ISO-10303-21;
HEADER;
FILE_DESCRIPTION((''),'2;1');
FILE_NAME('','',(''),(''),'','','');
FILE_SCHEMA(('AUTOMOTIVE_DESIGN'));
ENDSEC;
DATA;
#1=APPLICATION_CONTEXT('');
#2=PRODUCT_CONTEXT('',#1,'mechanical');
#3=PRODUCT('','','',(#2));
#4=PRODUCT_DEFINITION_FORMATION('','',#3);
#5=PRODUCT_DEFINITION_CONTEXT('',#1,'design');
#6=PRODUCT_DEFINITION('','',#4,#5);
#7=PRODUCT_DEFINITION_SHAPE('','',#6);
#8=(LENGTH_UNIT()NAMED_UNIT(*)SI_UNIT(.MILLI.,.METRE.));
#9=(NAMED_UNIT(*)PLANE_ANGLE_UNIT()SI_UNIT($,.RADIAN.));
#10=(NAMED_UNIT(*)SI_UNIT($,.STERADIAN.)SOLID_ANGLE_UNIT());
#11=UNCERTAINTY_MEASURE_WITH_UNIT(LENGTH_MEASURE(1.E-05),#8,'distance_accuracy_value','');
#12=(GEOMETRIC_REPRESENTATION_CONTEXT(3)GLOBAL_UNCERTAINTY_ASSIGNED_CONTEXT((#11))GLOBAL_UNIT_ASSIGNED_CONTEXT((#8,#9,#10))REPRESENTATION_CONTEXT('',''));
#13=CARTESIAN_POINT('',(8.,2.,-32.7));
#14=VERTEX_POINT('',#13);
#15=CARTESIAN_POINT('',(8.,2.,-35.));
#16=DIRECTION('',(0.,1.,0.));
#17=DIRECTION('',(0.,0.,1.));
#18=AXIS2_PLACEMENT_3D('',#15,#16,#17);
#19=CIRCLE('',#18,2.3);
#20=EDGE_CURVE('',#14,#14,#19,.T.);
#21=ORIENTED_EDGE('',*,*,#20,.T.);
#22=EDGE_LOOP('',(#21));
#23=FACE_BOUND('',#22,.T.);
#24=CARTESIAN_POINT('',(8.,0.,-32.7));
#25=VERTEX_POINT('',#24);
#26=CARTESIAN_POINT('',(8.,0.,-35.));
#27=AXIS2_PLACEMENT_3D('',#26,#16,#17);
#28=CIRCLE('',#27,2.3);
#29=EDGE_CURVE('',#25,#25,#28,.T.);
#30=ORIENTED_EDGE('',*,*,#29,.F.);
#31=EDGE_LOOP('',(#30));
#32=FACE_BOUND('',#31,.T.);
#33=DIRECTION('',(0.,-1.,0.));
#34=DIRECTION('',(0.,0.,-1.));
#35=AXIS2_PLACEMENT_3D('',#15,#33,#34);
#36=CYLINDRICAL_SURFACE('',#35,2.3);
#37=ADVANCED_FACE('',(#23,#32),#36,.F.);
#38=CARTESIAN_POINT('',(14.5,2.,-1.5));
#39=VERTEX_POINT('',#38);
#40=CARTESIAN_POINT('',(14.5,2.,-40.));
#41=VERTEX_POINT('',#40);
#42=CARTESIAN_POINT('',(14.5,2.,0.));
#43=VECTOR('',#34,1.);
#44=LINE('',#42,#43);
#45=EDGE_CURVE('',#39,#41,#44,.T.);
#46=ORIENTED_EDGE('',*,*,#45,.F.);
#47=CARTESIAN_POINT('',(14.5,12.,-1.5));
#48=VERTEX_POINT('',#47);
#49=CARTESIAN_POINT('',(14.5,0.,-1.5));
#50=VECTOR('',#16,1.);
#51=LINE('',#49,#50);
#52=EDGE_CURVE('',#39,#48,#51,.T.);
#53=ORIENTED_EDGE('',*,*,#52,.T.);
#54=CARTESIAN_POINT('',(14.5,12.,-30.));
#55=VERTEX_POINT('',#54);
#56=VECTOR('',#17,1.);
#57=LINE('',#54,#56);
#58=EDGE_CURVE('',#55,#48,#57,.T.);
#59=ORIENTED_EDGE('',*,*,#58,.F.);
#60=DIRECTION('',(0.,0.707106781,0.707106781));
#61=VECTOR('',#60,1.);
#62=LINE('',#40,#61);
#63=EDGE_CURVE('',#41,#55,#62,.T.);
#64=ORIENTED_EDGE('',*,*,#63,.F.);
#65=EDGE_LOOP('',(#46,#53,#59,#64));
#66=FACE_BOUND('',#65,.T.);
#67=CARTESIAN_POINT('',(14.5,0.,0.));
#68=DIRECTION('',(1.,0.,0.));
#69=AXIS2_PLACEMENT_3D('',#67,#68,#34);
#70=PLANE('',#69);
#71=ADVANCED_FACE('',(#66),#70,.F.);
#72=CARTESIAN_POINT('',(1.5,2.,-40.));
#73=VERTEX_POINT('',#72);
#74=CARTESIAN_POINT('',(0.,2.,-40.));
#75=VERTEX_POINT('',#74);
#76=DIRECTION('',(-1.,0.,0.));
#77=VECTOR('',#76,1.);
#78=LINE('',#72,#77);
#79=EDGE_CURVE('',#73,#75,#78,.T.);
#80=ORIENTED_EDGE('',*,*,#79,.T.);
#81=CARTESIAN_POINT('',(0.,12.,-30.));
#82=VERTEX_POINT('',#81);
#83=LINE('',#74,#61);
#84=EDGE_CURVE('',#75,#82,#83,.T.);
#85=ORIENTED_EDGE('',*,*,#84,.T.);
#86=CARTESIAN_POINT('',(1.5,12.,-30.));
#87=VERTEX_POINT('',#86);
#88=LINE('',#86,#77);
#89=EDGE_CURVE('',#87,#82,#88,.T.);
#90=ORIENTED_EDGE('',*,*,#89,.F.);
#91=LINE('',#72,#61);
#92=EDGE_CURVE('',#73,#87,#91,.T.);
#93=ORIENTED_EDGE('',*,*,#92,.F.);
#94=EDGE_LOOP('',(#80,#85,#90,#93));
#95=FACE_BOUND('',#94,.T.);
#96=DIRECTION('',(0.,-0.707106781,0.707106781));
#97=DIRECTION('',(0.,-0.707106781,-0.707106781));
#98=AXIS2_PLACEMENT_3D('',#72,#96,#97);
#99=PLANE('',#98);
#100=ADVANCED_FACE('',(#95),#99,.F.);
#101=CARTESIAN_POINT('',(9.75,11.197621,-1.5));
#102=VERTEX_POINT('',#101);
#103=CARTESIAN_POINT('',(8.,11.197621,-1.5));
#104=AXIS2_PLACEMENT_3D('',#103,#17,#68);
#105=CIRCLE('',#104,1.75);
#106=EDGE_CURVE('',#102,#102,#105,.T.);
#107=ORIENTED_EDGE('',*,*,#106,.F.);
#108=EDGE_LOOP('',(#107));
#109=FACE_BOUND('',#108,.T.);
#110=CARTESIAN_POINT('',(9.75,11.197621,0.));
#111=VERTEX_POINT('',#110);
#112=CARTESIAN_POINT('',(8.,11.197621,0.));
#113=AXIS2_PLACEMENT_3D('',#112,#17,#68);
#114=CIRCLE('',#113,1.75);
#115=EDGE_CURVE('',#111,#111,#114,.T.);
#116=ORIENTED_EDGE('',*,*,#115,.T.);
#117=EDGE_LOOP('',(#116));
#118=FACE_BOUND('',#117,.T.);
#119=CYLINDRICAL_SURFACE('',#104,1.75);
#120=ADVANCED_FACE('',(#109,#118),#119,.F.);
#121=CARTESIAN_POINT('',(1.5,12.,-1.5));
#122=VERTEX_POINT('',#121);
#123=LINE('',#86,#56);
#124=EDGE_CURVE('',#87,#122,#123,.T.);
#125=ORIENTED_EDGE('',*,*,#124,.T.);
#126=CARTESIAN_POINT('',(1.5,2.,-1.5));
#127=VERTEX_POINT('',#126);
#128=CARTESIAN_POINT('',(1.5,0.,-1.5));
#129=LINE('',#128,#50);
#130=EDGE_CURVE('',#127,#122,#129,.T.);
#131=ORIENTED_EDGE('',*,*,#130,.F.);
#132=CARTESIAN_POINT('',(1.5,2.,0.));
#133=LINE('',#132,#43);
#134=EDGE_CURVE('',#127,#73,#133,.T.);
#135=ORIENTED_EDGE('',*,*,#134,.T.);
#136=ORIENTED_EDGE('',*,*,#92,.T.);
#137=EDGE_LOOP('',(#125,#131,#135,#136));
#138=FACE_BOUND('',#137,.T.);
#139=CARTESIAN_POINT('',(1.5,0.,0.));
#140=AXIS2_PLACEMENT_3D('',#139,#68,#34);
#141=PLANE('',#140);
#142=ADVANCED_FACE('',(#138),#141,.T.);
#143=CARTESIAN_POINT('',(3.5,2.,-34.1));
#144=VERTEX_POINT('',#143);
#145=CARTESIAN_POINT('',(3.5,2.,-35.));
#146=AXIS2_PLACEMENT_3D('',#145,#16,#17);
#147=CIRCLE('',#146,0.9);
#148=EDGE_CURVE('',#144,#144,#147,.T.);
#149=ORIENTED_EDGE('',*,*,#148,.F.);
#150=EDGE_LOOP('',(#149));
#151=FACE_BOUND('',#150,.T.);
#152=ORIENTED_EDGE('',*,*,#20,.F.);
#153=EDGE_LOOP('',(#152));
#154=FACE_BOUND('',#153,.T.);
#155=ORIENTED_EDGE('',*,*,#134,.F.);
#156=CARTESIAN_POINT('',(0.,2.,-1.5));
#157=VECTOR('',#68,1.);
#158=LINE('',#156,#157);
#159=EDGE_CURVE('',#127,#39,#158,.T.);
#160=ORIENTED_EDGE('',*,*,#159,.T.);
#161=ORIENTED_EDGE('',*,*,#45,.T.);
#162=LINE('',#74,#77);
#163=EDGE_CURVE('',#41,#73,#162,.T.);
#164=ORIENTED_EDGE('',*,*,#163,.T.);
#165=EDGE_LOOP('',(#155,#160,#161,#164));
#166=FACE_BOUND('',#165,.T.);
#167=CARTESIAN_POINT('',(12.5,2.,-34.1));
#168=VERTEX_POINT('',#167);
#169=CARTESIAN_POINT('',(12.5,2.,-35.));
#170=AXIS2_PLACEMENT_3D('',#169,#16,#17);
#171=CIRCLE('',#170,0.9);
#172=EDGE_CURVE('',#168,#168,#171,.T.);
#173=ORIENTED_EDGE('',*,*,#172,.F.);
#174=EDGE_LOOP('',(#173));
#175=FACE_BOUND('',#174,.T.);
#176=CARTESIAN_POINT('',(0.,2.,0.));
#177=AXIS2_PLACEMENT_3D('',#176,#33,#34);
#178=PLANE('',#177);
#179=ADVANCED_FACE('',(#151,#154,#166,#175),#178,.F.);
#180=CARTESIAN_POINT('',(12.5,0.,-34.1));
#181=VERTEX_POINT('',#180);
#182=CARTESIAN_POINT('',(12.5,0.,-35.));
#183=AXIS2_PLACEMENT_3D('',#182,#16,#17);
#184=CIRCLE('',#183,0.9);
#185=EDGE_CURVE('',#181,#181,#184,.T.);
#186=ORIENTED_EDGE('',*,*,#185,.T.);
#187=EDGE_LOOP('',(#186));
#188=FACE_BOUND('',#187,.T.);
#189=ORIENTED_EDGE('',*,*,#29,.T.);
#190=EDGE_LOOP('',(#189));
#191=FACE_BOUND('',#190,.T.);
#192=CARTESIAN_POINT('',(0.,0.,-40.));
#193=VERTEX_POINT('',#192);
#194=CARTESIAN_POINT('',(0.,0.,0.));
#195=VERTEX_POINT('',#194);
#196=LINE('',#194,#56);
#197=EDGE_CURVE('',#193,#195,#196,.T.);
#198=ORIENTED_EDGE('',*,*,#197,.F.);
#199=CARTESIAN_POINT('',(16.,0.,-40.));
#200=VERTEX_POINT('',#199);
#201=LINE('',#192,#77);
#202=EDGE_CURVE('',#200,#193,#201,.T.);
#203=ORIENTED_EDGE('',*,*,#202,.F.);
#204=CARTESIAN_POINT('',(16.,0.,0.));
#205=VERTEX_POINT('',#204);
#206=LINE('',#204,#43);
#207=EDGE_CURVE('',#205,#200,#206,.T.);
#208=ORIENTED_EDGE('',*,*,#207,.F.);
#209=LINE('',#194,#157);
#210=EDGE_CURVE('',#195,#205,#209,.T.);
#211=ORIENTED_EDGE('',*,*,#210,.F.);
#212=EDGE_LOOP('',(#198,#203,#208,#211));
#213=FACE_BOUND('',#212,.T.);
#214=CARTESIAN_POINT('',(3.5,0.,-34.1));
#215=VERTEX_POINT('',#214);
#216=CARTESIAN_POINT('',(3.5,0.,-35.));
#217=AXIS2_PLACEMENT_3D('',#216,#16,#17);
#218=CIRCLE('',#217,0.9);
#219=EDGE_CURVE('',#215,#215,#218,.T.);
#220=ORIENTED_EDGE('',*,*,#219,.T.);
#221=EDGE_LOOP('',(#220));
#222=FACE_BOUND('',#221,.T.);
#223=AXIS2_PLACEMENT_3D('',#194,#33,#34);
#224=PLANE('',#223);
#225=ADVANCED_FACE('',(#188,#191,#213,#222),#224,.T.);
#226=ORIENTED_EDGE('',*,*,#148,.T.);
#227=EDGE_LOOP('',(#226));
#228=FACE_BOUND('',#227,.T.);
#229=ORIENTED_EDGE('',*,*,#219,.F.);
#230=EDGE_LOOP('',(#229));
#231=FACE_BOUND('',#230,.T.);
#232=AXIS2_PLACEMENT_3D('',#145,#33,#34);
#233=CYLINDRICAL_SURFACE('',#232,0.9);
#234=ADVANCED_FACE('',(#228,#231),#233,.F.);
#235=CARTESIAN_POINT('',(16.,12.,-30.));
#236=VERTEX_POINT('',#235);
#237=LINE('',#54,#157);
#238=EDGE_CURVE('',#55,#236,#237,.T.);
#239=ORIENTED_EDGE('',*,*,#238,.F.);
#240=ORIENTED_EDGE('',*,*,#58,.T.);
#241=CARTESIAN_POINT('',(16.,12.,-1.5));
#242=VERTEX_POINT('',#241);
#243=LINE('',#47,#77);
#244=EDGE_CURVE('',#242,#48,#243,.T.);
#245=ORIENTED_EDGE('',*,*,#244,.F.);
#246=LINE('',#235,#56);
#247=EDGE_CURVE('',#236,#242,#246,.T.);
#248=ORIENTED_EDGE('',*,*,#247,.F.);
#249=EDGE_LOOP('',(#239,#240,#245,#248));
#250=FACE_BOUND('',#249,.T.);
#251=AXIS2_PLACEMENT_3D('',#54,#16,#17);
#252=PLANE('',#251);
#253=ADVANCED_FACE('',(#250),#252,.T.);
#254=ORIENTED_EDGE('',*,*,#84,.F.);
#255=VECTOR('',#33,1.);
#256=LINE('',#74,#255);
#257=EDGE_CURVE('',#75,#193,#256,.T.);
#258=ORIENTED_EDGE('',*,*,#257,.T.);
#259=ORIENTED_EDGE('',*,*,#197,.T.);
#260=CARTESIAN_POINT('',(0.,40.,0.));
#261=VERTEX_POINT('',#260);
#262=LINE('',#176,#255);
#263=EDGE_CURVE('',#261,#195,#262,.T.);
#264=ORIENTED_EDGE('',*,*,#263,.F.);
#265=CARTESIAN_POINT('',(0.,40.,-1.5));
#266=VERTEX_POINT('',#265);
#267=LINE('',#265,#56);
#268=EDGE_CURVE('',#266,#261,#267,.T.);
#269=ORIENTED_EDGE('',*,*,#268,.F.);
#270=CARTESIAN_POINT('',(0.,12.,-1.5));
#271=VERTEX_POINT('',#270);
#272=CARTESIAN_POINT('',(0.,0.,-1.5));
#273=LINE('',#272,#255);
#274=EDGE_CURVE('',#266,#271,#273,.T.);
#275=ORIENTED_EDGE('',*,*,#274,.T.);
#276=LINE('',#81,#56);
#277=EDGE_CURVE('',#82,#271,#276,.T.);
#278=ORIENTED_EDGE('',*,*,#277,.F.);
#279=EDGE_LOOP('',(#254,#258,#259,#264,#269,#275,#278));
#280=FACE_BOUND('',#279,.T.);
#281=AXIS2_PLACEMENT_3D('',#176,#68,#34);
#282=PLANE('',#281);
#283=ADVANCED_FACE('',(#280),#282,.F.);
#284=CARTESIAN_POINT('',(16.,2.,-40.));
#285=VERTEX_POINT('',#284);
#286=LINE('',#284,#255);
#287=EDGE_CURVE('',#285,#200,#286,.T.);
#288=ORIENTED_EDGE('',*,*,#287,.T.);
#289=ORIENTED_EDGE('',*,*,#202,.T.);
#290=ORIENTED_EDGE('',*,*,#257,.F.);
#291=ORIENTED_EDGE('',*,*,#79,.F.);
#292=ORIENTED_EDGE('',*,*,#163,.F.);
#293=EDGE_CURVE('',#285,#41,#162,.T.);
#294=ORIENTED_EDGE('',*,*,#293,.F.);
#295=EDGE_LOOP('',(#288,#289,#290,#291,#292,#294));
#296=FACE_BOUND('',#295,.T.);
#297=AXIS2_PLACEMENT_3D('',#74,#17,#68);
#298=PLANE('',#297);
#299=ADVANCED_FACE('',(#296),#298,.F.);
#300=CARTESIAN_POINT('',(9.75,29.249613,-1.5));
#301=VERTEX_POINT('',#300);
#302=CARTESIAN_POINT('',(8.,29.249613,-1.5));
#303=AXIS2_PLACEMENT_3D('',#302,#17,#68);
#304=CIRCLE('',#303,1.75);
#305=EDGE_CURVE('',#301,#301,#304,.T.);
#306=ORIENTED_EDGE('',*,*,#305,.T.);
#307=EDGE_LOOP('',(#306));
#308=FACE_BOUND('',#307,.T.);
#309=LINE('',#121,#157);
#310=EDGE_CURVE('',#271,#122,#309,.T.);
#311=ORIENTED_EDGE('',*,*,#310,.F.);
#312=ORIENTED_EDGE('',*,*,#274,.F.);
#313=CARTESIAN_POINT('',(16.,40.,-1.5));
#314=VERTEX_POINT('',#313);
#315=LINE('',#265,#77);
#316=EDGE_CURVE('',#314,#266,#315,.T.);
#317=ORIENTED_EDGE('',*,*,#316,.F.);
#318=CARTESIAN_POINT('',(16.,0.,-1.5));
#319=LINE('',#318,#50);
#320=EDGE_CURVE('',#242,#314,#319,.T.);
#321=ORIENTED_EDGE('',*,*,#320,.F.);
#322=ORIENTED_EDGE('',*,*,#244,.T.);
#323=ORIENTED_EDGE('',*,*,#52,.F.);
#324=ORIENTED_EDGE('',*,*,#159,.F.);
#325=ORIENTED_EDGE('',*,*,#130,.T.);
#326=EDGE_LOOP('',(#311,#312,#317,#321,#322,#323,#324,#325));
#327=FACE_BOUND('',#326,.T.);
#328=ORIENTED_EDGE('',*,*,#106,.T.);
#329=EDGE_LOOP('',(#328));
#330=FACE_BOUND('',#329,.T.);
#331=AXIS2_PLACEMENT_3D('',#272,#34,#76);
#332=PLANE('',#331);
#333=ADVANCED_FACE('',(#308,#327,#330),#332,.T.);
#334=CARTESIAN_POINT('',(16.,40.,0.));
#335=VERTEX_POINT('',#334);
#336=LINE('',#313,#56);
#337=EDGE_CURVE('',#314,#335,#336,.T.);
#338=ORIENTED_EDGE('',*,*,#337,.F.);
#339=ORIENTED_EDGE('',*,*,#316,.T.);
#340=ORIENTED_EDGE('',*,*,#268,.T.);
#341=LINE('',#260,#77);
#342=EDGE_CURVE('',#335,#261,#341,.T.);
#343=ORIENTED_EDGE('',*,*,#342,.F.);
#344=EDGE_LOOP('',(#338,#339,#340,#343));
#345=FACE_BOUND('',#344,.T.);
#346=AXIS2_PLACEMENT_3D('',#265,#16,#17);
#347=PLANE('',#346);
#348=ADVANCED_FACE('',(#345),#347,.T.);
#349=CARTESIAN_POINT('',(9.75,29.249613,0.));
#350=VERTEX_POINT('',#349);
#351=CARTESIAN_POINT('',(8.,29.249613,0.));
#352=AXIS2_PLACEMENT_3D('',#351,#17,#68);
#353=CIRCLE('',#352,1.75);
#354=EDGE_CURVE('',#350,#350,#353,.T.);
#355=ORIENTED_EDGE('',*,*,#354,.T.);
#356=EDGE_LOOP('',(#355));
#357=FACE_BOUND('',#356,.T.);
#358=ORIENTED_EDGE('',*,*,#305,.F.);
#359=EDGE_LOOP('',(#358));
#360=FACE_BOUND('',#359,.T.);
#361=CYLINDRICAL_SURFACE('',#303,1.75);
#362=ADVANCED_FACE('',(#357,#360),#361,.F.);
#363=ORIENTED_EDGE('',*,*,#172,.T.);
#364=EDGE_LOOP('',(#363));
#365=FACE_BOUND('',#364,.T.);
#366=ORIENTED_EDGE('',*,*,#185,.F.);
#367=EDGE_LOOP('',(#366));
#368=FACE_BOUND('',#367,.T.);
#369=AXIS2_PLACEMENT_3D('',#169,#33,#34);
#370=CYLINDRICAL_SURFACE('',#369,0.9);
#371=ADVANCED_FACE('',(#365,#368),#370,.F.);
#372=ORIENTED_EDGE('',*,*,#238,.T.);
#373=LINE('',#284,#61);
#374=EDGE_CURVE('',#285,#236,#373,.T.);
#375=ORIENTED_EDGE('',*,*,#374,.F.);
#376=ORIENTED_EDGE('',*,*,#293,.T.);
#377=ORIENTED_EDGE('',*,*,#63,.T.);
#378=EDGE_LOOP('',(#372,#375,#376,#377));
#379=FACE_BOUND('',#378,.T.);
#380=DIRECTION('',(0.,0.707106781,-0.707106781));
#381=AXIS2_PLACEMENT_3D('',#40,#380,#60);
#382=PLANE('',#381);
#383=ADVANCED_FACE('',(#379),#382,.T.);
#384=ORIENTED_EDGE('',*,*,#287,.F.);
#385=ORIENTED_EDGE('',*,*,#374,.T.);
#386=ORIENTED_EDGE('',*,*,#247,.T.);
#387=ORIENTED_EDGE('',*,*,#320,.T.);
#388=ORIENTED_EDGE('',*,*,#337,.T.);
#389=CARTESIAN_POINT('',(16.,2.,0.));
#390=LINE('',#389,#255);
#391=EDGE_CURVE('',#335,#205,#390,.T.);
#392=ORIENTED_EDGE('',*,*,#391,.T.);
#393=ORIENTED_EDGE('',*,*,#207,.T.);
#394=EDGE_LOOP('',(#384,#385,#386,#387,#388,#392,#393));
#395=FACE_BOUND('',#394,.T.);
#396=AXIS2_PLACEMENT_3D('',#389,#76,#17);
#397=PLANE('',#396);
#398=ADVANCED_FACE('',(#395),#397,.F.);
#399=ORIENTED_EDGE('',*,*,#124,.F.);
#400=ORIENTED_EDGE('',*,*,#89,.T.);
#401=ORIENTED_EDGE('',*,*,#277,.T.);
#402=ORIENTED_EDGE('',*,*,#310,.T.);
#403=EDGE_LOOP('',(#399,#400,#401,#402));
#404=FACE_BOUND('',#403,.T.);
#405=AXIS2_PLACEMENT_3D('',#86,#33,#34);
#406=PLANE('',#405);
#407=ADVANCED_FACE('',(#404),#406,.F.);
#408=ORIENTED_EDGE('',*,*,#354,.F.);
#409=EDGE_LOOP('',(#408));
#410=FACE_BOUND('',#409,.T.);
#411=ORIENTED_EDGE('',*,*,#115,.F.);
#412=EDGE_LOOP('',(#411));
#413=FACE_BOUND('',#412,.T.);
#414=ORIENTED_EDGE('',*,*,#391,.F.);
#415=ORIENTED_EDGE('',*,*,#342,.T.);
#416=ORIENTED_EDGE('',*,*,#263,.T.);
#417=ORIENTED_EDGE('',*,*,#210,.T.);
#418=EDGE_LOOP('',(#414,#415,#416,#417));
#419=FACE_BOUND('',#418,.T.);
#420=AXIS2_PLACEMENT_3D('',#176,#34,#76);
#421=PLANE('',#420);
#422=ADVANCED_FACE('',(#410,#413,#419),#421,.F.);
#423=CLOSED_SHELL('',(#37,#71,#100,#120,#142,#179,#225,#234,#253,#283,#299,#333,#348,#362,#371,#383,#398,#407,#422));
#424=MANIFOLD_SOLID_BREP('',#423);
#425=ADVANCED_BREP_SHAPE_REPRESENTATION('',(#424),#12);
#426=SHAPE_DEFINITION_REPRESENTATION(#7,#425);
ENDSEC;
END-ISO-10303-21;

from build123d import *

# Parameters (mm, degrees)
SKETCH1_W           = 16
SKETCH1_H           = 40
SKETCH1_R           = 2.3
SKETCH1_R_2         = 0.9
BOSS_EXTRUDE1_DEPTH = 2
BOSS_EXTRUDE2_DEPTH = 1.5
BOSS_EXTRUDE3_DEPTH = 1.5
SKETCH4_W           = 16
SKETCH4_H           = 40
SKETCH4_R           = 1.75
BOSS_EXTRUDE4_DEPTH = 1.5


with BuildPart() as part:
    # Sketch1 → Boss-Extrude1 (new body)
    with BuildSketch(Plane(origin=(0, 0, 0), x_dir=(1, 0, 0), z_dir=(0, 1, 0))):
        with Locations((8, 20)):
            Rectangle(SKETCH1_W, SKETCH1_H)
        with Locations((8, 35)):
            Circle(SKETCH1_R, mode=Mode.SUBTRACT)
        with Locations((3.5, 35)):
            Circle(SKETCH1_R_2, mode=Mode.SUBTRACT)
        with Locations((12.5, 35)):
            Circle(SKETCH1_R_2, mode=Mode.SUBTRACT)
    extrude(amount=BOSS_EXTRUDE1_DEPTH)

    # Sketch2 → Boss-Extrude2 (add)
    with BuildSketch(Plane.ZY):
        Polygon((-40, 2), (-30, 12), (0, 12), (0, 2), align=None)
    extrude(amount=-BOSS_EXTRUDE2_DEPTH)

    # Sketch3 → Boss-Extrude3 (add)
    with BuildSketch(Plane(origin=(16, 0, -16), x_dir=(0, 0, 1), z_dir=(-1, 0, 0))):
        Polygon((-24, 2), (-14, 12), (16, 12), (16, 2), align=None)
    extrude(amount=BOSS_EXTRUDE3_DEPTH)

    # Sketch4 → Boss-Extrude4 (add)
    with BuildSketch(Plane.XY):
        with Locations((8, 20)):
            Rectangle(SKETCH4_W, SKETCH4_H)
        with Locations((8, 11.197621249)):
            Circle(SKETCH4_R, mode=Mode.SUBTRACT)
        with Locations((8, 29.249612775)):
            Circle(SKETCH4_R, mode=Mode.SUBTRACT)
    extrude(amount=-BOSS_EXTRUDE4_DEPTH)


solid = part.part
